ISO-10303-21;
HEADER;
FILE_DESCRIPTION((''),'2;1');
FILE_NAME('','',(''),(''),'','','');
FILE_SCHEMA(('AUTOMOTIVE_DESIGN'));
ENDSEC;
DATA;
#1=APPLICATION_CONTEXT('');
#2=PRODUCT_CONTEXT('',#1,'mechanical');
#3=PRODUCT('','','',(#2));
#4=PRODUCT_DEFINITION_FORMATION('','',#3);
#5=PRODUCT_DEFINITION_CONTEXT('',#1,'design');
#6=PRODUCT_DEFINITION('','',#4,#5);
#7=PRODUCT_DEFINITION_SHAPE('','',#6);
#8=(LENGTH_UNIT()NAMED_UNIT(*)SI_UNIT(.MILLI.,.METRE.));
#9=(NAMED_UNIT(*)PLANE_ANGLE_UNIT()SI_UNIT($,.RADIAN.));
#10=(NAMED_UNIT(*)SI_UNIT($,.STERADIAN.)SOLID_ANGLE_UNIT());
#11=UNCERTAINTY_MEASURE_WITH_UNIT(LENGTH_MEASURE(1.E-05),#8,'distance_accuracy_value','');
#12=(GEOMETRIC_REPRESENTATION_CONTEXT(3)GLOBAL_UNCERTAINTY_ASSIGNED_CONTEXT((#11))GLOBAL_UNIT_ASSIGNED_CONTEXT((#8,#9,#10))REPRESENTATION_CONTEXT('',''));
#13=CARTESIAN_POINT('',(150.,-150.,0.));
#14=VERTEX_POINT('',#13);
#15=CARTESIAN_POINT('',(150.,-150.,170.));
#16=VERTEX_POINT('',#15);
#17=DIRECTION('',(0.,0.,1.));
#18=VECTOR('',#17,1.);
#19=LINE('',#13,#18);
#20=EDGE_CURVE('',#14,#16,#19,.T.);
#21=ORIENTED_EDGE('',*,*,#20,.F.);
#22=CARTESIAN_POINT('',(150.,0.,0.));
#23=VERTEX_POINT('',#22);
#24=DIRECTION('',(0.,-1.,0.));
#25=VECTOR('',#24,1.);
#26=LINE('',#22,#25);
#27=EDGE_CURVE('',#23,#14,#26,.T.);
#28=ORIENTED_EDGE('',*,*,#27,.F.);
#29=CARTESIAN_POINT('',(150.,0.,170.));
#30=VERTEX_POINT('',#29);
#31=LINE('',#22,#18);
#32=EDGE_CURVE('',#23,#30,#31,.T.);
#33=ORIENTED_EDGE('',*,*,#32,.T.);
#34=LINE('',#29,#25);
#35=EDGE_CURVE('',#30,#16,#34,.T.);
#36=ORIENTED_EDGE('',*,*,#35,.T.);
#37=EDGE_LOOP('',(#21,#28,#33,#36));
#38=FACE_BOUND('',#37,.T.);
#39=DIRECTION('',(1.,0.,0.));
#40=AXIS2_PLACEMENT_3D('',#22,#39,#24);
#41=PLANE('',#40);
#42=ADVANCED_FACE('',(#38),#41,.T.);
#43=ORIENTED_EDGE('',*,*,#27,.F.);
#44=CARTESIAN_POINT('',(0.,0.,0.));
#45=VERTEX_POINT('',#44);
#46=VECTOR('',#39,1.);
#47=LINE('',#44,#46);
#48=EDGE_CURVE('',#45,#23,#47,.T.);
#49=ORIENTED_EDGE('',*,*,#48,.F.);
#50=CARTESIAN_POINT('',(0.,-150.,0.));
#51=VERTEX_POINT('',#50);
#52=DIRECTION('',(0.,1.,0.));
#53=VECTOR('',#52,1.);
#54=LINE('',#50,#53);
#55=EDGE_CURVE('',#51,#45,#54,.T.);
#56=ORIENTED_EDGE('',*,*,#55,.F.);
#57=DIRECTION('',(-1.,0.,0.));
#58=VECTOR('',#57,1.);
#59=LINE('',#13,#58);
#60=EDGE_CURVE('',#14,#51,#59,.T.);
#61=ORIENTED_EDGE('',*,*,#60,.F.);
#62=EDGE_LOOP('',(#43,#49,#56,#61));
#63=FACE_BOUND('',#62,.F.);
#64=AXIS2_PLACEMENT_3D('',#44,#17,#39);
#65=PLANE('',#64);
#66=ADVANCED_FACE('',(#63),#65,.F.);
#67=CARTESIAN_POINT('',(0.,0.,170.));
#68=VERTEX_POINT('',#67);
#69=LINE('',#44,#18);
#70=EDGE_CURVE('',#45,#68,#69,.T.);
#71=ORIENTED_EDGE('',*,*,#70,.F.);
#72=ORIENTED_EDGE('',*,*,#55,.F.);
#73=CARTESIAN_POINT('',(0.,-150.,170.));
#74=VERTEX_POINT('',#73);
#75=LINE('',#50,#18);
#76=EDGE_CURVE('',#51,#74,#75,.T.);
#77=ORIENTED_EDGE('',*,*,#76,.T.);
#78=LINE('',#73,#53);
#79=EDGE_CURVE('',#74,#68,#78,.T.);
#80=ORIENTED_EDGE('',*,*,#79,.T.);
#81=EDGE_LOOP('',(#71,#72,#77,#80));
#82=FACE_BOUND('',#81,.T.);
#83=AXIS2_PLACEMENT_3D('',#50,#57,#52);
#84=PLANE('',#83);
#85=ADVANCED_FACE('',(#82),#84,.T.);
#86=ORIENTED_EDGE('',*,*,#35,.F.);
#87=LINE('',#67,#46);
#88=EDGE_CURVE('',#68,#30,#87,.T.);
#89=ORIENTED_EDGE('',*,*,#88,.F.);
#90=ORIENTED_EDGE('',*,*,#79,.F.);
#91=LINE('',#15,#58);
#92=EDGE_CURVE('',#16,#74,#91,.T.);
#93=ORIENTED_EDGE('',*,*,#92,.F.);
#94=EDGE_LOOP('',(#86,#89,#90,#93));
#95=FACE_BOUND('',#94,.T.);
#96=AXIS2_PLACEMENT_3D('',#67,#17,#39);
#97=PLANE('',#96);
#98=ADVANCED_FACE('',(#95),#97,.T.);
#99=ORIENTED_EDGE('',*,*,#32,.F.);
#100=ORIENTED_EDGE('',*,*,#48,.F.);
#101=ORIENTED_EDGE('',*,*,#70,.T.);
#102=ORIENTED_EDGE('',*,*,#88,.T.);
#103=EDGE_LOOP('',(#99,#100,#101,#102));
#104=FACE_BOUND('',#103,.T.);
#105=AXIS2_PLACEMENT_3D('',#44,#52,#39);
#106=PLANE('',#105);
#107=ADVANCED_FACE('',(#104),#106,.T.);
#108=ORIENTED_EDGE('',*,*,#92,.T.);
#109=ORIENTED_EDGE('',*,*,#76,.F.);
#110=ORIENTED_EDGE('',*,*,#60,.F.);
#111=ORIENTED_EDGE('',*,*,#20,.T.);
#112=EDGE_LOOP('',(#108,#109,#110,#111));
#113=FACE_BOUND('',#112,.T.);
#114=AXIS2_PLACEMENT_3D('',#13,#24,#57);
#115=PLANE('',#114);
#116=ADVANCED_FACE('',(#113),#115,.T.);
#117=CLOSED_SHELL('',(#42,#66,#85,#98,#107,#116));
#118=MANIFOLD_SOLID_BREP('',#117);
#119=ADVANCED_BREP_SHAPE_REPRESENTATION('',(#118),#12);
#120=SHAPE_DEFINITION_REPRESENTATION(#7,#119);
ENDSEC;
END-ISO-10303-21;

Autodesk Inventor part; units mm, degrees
ref_plane "YZ Plane" through (0, 0, 0) normal (1, 0, 0) x (0, 1, 0)
ref_plane "XZ Plane" through (0, 0, 0) normal (0, 1, 0) x (-1, 0, 0)
ref_plane "XY Plane" through (0, 0, 0) normal (0, 0, 1) x (1, 0, 0)
sketch "Sketch1" plane through (0, 0, 0) normal (0, 0, 1) x (1, 0, 0)
  line L0 (0, 0) -> (150, 0)
  line L1 (150, 0) -> (150, -150)
  line L2 (150, -150) -> (0, -150)
  line L3 (0, -150) -> (0, 0)
  dimension "d0" = 150
  dimension "d1" = 150
extrude "Extrusion1" add sketch "Sketch1" along normal blind 170
properties part number "cast_hand"
